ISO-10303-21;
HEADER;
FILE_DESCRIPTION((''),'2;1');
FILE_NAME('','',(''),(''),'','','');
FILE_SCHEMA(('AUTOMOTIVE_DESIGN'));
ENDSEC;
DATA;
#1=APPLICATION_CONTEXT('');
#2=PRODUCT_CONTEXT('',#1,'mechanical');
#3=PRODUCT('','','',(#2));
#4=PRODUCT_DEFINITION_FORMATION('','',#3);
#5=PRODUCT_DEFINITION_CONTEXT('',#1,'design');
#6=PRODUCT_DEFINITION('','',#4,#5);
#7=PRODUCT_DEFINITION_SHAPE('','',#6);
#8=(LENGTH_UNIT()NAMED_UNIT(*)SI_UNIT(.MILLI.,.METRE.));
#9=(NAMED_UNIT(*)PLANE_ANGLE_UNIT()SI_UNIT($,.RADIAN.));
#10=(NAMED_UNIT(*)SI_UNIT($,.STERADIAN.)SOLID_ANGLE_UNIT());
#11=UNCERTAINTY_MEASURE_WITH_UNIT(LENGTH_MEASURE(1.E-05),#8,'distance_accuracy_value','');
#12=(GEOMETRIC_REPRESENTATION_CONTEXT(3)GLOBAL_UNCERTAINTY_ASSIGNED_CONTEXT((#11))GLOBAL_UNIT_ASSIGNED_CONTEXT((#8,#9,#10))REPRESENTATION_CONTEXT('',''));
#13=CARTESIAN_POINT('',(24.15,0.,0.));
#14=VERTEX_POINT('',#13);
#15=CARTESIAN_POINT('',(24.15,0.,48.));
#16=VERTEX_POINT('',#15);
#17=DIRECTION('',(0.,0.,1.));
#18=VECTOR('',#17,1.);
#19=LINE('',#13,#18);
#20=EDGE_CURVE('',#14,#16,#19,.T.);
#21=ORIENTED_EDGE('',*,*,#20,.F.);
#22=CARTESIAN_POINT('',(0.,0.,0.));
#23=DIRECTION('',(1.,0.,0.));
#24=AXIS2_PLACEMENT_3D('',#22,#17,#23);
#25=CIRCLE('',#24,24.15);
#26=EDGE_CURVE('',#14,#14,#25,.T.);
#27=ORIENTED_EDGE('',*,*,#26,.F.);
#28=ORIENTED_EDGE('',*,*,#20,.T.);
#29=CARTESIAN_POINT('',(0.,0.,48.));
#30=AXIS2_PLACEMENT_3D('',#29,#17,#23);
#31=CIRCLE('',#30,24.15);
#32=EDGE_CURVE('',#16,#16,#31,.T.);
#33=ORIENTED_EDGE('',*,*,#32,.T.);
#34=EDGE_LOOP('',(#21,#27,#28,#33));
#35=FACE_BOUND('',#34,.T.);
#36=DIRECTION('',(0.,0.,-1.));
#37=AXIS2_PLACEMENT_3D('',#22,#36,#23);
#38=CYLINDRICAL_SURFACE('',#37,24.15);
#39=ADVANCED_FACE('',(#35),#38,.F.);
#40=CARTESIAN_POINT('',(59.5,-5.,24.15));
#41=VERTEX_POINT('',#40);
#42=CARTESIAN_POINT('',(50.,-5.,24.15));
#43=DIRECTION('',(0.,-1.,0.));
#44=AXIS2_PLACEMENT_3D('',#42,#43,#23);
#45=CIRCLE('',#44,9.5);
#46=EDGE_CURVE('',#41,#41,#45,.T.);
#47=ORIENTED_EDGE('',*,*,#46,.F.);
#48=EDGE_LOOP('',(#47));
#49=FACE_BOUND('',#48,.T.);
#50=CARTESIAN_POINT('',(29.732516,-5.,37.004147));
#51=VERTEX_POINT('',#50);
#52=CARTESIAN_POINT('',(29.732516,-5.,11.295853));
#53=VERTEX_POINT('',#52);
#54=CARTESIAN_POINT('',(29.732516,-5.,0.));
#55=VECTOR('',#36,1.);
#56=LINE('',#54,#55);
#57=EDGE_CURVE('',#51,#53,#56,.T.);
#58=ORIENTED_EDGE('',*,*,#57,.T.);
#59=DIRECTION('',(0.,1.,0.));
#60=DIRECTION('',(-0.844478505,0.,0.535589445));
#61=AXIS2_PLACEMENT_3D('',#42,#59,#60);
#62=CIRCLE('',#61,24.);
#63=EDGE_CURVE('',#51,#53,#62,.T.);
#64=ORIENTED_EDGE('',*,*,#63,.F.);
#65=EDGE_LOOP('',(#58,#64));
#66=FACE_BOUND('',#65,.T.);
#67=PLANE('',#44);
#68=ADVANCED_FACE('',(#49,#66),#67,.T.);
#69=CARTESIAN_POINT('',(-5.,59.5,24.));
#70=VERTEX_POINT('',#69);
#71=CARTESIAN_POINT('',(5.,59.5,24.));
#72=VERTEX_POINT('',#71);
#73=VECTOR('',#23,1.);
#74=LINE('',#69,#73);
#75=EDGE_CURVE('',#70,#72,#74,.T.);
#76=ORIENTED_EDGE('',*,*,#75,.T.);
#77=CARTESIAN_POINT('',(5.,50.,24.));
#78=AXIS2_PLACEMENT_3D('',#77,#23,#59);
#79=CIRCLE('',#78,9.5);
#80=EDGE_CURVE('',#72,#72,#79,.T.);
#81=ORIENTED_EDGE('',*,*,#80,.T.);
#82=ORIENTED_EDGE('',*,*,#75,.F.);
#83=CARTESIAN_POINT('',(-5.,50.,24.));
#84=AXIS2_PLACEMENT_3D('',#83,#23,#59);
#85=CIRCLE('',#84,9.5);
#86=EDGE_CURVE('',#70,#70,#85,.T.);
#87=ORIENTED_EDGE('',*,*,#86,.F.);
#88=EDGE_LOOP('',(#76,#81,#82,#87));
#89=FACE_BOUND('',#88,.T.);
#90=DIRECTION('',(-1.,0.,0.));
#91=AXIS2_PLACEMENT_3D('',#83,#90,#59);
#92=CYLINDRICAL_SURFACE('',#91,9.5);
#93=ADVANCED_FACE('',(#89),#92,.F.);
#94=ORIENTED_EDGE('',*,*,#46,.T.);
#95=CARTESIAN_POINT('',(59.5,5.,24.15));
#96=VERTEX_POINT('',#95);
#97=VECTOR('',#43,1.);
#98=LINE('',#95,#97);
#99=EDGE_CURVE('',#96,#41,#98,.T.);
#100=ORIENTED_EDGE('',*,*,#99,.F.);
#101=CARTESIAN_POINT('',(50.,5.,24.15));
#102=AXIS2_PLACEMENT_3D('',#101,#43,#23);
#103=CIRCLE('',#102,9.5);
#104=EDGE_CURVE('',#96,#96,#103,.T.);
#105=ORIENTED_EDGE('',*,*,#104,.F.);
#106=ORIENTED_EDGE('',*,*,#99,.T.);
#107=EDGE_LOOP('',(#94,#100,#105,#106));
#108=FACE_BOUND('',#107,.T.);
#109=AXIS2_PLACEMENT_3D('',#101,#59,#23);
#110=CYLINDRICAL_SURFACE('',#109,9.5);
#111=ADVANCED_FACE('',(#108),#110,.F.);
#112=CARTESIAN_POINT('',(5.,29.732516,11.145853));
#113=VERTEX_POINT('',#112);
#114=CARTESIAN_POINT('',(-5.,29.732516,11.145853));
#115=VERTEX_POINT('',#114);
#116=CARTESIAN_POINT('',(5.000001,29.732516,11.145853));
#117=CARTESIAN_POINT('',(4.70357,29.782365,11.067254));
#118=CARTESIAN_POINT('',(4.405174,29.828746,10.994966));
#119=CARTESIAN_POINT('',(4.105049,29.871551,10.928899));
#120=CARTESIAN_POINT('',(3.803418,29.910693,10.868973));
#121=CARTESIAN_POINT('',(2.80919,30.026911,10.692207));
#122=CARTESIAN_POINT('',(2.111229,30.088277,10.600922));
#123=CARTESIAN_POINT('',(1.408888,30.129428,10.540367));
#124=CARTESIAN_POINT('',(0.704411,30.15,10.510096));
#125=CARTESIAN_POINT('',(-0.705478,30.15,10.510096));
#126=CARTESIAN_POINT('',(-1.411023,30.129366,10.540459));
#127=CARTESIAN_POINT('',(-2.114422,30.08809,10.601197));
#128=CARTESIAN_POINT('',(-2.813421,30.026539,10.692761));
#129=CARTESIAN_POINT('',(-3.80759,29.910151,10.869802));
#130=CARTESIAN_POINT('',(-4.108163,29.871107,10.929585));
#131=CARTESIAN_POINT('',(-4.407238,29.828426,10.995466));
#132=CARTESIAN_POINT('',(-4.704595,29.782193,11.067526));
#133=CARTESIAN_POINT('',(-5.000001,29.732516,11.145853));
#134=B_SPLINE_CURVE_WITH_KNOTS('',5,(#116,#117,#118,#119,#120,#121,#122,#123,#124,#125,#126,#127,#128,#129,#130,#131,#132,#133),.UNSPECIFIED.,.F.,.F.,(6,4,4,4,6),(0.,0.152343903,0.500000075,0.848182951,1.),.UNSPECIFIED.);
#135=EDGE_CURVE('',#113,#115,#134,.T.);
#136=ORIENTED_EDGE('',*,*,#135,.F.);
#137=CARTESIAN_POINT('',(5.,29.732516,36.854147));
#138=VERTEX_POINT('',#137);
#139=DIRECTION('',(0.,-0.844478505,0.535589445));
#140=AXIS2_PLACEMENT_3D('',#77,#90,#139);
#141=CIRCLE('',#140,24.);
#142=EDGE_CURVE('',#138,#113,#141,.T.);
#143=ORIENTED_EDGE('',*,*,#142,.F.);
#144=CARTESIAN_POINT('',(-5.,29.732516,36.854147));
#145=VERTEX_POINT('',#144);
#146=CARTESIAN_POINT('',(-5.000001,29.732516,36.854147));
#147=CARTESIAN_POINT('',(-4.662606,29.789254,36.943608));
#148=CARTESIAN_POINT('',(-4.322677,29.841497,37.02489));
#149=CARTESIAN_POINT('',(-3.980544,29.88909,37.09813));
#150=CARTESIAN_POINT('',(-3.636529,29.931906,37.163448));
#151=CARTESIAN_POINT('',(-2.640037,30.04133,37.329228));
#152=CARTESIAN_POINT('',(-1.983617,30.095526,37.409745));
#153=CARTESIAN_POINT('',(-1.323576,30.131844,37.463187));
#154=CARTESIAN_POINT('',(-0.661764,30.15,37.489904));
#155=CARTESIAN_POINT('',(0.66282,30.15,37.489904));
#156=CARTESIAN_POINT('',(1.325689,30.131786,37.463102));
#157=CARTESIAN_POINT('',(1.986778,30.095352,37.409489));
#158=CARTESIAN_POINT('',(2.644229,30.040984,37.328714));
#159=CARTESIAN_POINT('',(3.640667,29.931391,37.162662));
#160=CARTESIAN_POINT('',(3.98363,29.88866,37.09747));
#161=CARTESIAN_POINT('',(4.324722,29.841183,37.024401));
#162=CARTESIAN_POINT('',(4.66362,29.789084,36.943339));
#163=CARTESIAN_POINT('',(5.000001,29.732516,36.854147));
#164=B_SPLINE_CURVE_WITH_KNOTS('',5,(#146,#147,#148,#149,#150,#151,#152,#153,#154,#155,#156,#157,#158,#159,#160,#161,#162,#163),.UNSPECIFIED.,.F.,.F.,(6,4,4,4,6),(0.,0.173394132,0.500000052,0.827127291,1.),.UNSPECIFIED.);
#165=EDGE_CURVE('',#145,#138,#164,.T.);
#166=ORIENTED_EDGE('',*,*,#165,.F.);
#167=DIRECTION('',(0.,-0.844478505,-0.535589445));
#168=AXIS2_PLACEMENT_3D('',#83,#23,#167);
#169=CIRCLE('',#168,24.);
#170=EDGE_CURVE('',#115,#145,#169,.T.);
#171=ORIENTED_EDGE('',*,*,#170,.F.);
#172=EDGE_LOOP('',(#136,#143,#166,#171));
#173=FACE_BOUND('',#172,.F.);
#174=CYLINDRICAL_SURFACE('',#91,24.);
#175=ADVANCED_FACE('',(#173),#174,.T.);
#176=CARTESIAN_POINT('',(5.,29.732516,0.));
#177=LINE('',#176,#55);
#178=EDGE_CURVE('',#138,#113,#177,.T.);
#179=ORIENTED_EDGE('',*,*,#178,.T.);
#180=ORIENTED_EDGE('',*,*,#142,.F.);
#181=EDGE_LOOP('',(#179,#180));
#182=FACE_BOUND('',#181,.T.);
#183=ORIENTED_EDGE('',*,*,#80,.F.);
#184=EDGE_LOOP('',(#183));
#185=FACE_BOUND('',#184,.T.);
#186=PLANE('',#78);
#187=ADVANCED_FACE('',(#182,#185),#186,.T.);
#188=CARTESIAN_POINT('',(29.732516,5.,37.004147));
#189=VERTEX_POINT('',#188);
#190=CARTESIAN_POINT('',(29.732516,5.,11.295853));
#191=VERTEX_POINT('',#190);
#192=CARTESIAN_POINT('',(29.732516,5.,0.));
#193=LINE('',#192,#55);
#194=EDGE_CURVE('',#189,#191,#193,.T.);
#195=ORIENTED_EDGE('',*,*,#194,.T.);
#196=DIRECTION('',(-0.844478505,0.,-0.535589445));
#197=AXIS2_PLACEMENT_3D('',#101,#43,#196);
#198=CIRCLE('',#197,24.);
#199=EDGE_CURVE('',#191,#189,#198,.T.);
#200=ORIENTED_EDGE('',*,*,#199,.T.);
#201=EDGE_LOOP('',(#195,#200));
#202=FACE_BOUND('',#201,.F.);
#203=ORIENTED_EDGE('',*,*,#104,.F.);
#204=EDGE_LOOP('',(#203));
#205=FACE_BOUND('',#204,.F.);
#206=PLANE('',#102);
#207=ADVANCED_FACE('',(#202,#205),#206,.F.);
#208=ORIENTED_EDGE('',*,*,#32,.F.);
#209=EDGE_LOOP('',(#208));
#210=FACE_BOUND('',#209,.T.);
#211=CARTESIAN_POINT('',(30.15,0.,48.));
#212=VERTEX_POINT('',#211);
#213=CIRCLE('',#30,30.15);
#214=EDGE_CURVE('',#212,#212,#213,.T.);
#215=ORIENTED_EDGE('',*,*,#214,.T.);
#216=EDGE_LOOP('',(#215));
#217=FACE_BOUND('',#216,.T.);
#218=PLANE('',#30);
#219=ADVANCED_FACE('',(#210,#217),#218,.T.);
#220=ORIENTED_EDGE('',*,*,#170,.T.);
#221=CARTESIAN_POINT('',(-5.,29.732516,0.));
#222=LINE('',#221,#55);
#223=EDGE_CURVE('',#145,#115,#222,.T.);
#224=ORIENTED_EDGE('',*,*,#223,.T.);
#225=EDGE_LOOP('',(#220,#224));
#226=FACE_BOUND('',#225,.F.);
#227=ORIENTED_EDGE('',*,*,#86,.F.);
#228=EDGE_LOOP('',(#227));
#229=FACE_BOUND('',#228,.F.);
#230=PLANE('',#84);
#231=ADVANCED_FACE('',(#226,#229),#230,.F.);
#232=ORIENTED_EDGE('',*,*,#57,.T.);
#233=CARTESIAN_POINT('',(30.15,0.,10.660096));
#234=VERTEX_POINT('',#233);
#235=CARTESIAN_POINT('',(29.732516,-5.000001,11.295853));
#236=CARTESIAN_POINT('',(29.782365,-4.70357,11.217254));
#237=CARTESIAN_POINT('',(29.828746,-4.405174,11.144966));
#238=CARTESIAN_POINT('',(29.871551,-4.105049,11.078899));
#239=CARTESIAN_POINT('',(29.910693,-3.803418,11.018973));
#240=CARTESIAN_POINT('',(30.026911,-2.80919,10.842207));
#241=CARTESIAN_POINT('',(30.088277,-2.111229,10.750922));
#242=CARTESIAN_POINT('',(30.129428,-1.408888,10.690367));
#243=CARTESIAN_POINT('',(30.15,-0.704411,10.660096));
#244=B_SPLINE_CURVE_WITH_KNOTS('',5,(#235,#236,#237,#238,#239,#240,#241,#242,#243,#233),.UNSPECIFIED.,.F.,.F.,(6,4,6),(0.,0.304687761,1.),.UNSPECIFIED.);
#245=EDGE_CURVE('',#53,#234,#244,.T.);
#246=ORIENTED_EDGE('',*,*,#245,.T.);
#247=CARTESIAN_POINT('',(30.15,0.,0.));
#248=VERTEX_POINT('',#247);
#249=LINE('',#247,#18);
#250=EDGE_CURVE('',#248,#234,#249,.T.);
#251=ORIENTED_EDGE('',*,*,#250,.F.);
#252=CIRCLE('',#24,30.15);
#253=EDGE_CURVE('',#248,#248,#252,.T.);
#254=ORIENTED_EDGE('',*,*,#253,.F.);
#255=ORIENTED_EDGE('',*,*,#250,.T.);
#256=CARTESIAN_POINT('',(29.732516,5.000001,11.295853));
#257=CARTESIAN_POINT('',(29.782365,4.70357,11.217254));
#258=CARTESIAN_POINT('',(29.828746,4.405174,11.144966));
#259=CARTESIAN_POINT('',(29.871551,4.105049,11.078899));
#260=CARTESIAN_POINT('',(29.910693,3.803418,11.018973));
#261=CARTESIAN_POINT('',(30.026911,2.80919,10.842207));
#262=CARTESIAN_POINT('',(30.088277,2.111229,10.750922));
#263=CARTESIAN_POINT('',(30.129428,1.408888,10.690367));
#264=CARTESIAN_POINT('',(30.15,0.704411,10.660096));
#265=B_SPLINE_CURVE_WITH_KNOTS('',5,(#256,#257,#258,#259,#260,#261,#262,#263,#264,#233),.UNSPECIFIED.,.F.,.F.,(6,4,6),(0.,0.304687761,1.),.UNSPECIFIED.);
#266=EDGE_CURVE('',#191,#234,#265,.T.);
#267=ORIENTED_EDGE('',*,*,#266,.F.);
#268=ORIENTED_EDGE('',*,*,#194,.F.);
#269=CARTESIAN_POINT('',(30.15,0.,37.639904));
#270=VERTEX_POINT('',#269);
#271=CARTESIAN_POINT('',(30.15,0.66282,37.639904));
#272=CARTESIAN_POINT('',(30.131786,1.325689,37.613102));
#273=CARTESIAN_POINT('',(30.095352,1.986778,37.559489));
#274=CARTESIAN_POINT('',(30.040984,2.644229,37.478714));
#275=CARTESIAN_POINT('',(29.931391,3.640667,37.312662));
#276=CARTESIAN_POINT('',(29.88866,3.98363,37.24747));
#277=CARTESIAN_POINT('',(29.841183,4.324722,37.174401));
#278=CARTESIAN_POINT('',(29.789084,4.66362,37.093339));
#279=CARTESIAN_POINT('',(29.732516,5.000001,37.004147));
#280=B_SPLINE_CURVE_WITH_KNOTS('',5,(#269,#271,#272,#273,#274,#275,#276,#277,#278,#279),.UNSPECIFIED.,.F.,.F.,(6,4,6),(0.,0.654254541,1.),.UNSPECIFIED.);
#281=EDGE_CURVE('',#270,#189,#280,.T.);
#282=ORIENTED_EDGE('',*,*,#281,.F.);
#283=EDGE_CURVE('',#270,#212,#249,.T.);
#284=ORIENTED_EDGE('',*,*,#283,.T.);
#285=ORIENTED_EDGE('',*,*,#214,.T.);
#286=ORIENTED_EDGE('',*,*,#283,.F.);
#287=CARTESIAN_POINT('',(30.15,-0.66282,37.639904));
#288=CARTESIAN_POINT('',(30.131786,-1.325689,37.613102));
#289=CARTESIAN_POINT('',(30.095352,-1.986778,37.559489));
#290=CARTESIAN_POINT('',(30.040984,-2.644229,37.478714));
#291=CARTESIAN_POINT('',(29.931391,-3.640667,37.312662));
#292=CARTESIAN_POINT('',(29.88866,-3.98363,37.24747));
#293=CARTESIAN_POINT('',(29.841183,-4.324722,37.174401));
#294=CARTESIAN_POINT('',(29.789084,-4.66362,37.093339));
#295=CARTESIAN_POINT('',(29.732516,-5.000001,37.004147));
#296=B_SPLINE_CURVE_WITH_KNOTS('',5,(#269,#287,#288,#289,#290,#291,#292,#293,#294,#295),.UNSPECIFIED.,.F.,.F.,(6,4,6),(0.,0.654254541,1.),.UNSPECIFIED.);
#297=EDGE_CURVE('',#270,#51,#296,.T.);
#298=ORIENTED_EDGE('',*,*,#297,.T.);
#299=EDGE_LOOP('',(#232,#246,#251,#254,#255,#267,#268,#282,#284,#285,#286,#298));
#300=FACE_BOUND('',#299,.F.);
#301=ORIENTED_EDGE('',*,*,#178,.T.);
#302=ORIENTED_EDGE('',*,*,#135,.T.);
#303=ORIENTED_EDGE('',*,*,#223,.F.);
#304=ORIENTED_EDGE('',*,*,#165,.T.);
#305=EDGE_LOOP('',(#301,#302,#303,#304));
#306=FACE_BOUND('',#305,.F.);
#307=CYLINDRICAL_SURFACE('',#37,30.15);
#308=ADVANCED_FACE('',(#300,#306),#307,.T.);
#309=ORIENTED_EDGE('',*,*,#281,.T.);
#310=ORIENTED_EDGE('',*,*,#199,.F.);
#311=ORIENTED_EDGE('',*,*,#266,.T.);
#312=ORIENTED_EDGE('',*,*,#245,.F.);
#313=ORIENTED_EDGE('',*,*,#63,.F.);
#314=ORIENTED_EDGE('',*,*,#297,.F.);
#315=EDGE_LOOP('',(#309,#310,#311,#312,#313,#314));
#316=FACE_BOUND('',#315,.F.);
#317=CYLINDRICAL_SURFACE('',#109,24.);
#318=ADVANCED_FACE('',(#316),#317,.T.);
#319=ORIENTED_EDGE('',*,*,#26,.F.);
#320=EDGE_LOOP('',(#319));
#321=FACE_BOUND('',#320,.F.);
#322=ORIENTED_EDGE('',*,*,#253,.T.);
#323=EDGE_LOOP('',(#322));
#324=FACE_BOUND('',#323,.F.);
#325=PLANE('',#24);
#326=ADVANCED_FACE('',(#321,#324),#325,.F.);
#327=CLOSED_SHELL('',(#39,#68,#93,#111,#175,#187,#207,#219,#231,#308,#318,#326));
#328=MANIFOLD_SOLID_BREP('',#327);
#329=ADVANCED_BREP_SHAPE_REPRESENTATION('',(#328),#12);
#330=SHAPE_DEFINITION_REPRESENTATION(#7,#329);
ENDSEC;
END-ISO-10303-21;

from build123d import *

# Parameters (mm, degrees)
SKETCH_R      = 30.15
SKETCH_R_2    = 24.15
PAD_DEPTH     = 48
SKETCH001_R   = 24
SKETCH001_R_2 = 9.5
PAD001_DEPTH  = 10
SKETCH002_R   = 24
SKETCH002_R_2 = 9.5
PAD002_DEPTH  = 10


with BuildPart() as part:
    # Sketch → Pad (new body)
    with BuildSketch(Plane.XY):
        Circle(SKETCH_R)
        Circle(SKETCH_R_2, mode=Mode.SUBTRACT)
    extrude(amount=PAD_DEPTH)

    # Sketch001 → Pad001 (join)
    with BuildSketch(Plane.XZ.offset(-5)):
        with Locations((50, 24.15)):
            Circle(SKETCH001_R)
        with Locations((50, 24.15)):
            Circle(SKETCH001_R_2, mode=Mode.SUBTRACT)
    extrude(amount=PAD001_DEPTH)

    # Sketch002 → Pad002 (join)
    with BuildSketch(Plane.YZ.offset(-5)):
        with Locations((50, 24)):
            Circle(SKETCH002_R)
        with Locations((50, 24)):
            Circle(SKETCH002_R_2, mode=Mode.SUBTRACT)
    extrude(amount=PAD002_DEPTH)


solid = part.part
